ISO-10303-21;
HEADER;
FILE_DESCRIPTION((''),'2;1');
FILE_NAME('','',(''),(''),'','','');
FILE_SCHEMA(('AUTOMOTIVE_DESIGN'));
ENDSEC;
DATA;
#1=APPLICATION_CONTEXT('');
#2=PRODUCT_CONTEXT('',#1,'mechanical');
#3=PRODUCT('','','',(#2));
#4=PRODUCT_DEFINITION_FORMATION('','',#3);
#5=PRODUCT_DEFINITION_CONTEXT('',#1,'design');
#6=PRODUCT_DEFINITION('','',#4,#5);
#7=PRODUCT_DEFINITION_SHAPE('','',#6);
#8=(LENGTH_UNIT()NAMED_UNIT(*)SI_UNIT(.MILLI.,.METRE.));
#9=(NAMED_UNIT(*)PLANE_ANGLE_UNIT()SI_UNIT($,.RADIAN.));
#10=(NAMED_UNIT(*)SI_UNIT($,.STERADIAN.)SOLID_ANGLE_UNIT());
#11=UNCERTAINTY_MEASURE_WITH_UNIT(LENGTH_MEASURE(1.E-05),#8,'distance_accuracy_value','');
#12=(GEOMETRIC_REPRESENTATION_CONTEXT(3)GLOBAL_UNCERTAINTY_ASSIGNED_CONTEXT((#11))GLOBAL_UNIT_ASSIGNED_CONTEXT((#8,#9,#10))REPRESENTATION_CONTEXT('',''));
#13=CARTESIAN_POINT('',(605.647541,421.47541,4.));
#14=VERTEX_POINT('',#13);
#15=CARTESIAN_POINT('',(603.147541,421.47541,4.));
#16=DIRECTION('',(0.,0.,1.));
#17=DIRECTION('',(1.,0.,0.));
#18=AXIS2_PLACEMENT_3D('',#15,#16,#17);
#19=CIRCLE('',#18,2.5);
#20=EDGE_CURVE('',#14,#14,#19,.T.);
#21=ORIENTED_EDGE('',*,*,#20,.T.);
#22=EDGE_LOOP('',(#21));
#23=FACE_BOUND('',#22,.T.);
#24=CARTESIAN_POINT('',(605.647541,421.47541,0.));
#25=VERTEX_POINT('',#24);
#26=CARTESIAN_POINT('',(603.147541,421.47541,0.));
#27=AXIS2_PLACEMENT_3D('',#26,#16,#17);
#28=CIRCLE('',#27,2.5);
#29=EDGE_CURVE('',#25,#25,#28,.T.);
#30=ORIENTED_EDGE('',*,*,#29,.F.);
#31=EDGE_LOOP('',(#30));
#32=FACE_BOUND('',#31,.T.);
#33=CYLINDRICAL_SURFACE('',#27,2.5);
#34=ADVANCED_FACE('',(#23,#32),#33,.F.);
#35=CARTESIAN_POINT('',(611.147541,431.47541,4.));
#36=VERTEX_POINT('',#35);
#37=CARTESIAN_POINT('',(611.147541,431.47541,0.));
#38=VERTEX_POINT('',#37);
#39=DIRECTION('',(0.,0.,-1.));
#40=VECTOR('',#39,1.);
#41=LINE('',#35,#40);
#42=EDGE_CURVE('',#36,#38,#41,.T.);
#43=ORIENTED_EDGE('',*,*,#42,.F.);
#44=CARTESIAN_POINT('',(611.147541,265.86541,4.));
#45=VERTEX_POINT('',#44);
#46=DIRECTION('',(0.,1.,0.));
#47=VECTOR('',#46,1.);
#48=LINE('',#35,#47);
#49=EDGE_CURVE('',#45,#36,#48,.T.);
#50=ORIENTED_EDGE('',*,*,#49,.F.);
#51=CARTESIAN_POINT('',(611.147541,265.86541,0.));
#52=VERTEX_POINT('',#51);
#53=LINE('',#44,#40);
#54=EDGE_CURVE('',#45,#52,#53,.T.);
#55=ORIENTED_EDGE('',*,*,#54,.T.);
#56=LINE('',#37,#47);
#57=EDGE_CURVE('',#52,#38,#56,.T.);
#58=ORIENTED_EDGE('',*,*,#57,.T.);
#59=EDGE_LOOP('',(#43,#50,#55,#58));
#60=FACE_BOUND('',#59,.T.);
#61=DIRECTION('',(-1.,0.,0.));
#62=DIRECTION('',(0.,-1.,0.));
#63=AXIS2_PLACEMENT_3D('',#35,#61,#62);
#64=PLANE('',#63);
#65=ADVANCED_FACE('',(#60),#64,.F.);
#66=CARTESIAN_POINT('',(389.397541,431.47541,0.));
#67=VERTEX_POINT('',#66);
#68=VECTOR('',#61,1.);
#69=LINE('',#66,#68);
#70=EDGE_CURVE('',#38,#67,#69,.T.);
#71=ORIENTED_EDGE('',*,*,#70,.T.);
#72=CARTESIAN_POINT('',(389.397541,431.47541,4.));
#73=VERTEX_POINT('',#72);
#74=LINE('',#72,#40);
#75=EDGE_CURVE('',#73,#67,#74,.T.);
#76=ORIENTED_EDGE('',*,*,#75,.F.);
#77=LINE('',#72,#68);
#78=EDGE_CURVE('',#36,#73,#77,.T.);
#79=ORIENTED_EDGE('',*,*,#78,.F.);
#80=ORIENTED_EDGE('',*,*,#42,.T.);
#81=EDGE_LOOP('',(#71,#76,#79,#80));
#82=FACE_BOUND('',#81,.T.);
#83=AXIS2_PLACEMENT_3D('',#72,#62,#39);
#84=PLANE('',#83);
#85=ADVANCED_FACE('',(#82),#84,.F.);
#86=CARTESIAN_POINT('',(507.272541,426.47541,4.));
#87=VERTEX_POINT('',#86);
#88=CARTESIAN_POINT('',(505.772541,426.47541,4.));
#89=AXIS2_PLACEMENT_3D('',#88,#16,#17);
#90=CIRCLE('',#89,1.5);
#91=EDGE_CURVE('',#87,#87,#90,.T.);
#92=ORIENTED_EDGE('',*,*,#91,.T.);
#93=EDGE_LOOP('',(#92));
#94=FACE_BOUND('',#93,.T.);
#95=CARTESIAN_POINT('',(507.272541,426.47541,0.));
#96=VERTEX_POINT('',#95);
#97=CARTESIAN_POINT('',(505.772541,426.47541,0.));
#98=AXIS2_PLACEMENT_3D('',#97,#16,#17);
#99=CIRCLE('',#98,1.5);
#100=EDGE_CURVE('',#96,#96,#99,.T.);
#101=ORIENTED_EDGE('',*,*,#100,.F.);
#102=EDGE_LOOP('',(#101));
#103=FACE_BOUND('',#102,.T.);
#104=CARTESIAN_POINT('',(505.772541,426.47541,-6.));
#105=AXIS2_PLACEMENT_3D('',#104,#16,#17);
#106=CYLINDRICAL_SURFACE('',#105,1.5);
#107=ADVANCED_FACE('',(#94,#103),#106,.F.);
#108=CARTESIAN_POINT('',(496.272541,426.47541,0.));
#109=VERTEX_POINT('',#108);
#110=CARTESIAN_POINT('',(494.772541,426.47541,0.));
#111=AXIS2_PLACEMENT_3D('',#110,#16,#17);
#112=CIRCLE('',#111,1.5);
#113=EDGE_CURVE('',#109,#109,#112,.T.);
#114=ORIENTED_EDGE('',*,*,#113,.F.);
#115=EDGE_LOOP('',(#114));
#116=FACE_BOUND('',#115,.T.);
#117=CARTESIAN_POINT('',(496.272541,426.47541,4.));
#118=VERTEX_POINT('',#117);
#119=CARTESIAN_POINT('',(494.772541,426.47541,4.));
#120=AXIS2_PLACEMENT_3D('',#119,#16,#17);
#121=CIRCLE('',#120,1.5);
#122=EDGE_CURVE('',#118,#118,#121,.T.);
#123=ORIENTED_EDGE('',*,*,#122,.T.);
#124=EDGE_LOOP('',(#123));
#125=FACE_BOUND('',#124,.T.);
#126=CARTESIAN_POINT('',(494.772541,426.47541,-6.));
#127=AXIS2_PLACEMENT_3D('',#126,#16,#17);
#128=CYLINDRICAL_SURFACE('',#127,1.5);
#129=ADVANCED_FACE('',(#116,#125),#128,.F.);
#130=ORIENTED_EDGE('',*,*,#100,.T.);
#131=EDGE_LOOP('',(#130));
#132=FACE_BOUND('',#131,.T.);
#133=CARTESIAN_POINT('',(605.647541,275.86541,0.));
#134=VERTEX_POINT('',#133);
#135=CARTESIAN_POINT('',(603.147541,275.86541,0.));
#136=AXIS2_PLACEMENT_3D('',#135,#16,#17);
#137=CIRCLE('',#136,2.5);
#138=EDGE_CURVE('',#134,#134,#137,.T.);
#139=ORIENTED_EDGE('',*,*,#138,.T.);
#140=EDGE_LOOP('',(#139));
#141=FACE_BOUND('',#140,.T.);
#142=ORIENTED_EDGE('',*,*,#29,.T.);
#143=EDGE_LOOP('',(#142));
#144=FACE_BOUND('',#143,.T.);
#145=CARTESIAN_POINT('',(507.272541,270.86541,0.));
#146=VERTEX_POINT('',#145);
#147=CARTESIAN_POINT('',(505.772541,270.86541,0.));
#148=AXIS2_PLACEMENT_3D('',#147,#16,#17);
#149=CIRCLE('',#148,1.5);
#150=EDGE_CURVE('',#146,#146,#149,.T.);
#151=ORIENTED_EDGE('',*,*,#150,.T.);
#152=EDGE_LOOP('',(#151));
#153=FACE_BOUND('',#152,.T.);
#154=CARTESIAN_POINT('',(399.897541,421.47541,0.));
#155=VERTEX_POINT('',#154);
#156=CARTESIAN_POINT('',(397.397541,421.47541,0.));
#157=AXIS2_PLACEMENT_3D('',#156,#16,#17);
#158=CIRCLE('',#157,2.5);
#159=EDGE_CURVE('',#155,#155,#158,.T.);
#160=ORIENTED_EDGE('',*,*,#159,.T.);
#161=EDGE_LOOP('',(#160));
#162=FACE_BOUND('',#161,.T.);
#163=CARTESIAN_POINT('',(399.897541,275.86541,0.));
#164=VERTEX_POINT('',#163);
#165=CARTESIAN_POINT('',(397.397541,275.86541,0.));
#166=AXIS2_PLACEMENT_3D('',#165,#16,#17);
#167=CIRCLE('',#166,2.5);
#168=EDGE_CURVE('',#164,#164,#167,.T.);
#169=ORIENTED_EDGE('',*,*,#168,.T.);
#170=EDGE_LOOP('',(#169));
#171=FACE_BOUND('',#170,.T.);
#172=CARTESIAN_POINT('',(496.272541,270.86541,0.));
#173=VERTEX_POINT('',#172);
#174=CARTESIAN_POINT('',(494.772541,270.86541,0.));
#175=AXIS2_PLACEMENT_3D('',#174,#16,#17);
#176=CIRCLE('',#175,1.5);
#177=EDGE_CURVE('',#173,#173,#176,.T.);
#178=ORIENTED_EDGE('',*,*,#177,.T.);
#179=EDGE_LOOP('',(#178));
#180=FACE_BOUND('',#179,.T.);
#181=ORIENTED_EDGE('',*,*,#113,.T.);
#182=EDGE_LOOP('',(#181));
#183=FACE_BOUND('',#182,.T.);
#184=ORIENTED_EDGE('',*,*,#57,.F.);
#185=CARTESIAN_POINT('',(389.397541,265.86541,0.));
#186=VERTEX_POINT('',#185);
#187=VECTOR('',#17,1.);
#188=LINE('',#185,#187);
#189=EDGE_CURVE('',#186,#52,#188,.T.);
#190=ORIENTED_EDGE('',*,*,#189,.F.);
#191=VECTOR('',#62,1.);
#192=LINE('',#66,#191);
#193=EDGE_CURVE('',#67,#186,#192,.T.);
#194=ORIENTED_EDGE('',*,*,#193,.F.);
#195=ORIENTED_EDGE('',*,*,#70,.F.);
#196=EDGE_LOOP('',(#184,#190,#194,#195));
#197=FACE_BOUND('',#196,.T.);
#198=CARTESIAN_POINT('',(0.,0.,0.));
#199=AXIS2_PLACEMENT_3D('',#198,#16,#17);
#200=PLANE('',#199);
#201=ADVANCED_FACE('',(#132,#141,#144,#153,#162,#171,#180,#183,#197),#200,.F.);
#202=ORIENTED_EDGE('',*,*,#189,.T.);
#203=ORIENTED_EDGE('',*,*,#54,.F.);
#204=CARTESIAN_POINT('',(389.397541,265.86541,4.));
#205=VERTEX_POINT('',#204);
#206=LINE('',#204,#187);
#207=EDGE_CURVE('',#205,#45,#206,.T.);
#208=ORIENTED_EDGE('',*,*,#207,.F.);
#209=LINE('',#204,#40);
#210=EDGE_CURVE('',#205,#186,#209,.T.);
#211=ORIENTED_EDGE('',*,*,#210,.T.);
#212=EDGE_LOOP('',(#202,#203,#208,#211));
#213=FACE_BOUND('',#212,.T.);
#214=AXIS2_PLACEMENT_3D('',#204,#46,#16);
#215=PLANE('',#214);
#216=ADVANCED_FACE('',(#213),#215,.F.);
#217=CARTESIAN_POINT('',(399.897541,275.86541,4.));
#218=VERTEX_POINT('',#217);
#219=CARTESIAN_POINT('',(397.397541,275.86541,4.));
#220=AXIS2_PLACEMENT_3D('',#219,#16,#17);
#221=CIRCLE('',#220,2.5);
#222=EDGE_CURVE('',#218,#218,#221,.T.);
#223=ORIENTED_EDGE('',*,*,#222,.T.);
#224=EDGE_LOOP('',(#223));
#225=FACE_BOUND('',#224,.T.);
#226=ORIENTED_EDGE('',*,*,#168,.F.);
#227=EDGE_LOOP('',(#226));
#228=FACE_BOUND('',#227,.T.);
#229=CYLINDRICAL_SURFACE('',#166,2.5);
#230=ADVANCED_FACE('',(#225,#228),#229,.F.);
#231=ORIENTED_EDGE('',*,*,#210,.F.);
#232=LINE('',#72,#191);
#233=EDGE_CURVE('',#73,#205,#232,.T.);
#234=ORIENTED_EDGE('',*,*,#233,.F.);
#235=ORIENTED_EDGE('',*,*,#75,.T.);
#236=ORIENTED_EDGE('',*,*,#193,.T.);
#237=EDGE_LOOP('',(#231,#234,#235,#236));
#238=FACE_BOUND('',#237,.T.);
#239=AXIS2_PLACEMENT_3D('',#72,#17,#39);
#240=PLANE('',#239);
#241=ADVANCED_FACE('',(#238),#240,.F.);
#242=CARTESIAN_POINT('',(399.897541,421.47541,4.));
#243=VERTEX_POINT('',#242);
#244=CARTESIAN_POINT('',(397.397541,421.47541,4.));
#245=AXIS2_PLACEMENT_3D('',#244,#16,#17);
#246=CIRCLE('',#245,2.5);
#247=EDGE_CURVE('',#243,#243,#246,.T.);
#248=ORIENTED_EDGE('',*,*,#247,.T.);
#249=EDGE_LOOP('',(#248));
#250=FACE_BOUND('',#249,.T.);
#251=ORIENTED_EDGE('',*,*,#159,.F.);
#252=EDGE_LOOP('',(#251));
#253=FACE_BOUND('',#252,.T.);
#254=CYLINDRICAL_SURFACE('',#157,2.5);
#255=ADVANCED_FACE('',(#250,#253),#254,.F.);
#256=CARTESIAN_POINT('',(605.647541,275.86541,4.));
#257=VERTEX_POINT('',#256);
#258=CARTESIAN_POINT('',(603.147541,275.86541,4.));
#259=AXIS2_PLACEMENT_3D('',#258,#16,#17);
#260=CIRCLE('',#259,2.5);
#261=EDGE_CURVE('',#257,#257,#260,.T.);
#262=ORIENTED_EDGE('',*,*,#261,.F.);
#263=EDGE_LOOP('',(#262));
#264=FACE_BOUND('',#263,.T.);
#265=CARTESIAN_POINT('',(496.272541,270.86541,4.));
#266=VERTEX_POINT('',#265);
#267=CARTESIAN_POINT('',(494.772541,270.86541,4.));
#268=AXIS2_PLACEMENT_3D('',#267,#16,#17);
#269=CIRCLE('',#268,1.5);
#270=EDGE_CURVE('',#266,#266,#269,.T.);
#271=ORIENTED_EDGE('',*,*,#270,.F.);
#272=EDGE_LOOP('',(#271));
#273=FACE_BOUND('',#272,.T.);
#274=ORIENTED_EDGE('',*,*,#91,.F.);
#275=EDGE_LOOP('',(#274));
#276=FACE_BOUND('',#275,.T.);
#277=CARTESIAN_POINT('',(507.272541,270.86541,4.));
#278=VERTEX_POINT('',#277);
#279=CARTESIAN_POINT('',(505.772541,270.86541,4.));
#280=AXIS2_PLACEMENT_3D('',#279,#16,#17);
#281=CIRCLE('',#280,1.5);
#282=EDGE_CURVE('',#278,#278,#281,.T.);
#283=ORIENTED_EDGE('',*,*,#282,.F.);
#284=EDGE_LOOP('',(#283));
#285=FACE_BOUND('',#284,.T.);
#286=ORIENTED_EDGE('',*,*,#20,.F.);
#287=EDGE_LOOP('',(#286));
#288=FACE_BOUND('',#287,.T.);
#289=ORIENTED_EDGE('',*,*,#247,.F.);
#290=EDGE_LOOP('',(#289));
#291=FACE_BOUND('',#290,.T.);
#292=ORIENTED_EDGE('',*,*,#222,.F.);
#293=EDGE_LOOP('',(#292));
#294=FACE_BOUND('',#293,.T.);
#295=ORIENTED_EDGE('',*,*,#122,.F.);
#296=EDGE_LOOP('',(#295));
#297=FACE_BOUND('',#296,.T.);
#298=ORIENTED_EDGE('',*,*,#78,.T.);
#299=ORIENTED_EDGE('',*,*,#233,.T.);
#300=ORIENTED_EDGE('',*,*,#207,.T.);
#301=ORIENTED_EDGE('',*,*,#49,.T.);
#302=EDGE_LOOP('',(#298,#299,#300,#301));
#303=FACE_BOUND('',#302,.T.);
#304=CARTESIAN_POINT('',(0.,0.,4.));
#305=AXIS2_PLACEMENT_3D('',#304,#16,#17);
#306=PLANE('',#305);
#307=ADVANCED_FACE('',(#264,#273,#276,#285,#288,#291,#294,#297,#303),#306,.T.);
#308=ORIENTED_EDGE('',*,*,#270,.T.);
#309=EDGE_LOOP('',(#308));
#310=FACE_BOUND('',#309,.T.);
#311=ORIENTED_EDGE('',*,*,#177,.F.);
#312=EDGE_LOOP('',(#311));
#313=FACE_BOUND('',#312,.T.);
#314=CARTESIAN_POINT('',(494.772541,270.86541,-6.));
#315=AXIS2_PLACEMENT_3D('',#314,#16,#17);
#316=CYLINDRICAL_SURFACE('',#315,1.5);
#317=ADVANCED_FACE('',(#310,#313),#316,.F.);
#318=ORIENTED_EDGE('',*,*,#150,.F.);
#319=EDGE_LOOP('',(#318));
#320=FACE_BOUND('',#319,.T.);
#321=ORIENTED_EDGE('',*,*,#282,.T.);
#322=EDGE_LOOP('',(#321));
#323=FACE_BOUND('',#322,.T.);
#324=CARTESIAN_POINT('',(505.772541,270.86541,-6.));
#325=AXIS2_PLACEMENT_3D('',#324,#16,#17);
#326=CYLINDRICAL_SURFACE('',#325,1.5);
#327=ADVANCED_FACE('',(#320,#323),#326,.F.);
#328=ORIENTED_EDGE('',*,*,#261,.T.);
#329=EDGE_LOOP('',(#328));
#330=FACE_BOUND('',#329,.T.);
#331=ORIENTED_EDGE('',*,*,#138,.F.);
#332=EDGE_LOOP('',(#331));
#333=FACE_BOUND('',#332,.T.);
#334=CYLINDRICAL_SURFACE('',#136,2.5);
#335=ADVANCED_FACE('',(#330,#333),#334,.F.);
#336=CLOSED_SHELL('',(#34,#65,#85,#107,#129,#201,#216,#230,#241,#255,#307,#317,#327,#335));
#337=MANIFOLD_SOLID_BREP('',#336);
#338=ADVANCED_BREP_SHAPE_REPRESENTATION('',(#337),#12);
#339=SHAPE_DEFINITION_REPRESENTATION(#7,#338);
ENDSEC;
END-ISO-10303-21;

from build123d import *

# Parameters (mm, degrees)
SKETCH1_W           = 221.75
SKETCH1_H           = 165.61
BOSS_EXTRUDE1_DEPTH = 4
SKETCH3_R           = 2.5
CUT_EXTRUDE1_DEPTH  = 5
SKETCH4_R           = 1.5
CUT_EXTRUDE2_DEPTH  = 10


with BuildPart() as part:
    # Sketch1 → Boss-Extrude1 (new body)
    with BuildSketch(Plane.XY):
        with Locations((500.272540984, 348.670409836)):
            Rectangle(SKETCH1_W, SKETCH1_H)
    extrude(amount=BOSS_EXTRUDE1_DEPTH)

    # Sketch3 → Cut-Extrude1 (cut, through all)
    with BuildSketch(Plane.XY.offset(4)):
        with Locations((397.397540984, 421.475409836)):
            Circle(SKETCH3_R)
        with Locations((603.147540984, 421.475409836)):
            Circle(SKETCH3_R)
        with Locations((603.147540984, 275.865409836)):
            Circle(SKETCH3_R)
        with Locations((397.397540984, 275.865409836)):
            Circle(SKETCH3_R)
    extrude(amount=-CUT_EXTRUDE1_DEPTH, mode=Mode.SUBTRACT)

    # Sketch4 → Cut-Extrude2 (cut)
    with BuildSketch(Plane.XY.offset(4)):
        with Locations((494.772540984, 270.865409836)):
            Circle(SKETCH4_R)
        with Locations((505.772540984, 270.865409836)):
            Circle(SKETCH4_R)
        with Locations((494.772540984, 426.475409836)):
            Circle(SKETCH4_R)
        with Locations((505.772540984, 426.475409836)):
            Circle(SKETCH4_R)
    extrude(amount=-CUT_EXTRUDE2_DEPTH, mode=Mode.SUBTRACT)


solid = part.part
